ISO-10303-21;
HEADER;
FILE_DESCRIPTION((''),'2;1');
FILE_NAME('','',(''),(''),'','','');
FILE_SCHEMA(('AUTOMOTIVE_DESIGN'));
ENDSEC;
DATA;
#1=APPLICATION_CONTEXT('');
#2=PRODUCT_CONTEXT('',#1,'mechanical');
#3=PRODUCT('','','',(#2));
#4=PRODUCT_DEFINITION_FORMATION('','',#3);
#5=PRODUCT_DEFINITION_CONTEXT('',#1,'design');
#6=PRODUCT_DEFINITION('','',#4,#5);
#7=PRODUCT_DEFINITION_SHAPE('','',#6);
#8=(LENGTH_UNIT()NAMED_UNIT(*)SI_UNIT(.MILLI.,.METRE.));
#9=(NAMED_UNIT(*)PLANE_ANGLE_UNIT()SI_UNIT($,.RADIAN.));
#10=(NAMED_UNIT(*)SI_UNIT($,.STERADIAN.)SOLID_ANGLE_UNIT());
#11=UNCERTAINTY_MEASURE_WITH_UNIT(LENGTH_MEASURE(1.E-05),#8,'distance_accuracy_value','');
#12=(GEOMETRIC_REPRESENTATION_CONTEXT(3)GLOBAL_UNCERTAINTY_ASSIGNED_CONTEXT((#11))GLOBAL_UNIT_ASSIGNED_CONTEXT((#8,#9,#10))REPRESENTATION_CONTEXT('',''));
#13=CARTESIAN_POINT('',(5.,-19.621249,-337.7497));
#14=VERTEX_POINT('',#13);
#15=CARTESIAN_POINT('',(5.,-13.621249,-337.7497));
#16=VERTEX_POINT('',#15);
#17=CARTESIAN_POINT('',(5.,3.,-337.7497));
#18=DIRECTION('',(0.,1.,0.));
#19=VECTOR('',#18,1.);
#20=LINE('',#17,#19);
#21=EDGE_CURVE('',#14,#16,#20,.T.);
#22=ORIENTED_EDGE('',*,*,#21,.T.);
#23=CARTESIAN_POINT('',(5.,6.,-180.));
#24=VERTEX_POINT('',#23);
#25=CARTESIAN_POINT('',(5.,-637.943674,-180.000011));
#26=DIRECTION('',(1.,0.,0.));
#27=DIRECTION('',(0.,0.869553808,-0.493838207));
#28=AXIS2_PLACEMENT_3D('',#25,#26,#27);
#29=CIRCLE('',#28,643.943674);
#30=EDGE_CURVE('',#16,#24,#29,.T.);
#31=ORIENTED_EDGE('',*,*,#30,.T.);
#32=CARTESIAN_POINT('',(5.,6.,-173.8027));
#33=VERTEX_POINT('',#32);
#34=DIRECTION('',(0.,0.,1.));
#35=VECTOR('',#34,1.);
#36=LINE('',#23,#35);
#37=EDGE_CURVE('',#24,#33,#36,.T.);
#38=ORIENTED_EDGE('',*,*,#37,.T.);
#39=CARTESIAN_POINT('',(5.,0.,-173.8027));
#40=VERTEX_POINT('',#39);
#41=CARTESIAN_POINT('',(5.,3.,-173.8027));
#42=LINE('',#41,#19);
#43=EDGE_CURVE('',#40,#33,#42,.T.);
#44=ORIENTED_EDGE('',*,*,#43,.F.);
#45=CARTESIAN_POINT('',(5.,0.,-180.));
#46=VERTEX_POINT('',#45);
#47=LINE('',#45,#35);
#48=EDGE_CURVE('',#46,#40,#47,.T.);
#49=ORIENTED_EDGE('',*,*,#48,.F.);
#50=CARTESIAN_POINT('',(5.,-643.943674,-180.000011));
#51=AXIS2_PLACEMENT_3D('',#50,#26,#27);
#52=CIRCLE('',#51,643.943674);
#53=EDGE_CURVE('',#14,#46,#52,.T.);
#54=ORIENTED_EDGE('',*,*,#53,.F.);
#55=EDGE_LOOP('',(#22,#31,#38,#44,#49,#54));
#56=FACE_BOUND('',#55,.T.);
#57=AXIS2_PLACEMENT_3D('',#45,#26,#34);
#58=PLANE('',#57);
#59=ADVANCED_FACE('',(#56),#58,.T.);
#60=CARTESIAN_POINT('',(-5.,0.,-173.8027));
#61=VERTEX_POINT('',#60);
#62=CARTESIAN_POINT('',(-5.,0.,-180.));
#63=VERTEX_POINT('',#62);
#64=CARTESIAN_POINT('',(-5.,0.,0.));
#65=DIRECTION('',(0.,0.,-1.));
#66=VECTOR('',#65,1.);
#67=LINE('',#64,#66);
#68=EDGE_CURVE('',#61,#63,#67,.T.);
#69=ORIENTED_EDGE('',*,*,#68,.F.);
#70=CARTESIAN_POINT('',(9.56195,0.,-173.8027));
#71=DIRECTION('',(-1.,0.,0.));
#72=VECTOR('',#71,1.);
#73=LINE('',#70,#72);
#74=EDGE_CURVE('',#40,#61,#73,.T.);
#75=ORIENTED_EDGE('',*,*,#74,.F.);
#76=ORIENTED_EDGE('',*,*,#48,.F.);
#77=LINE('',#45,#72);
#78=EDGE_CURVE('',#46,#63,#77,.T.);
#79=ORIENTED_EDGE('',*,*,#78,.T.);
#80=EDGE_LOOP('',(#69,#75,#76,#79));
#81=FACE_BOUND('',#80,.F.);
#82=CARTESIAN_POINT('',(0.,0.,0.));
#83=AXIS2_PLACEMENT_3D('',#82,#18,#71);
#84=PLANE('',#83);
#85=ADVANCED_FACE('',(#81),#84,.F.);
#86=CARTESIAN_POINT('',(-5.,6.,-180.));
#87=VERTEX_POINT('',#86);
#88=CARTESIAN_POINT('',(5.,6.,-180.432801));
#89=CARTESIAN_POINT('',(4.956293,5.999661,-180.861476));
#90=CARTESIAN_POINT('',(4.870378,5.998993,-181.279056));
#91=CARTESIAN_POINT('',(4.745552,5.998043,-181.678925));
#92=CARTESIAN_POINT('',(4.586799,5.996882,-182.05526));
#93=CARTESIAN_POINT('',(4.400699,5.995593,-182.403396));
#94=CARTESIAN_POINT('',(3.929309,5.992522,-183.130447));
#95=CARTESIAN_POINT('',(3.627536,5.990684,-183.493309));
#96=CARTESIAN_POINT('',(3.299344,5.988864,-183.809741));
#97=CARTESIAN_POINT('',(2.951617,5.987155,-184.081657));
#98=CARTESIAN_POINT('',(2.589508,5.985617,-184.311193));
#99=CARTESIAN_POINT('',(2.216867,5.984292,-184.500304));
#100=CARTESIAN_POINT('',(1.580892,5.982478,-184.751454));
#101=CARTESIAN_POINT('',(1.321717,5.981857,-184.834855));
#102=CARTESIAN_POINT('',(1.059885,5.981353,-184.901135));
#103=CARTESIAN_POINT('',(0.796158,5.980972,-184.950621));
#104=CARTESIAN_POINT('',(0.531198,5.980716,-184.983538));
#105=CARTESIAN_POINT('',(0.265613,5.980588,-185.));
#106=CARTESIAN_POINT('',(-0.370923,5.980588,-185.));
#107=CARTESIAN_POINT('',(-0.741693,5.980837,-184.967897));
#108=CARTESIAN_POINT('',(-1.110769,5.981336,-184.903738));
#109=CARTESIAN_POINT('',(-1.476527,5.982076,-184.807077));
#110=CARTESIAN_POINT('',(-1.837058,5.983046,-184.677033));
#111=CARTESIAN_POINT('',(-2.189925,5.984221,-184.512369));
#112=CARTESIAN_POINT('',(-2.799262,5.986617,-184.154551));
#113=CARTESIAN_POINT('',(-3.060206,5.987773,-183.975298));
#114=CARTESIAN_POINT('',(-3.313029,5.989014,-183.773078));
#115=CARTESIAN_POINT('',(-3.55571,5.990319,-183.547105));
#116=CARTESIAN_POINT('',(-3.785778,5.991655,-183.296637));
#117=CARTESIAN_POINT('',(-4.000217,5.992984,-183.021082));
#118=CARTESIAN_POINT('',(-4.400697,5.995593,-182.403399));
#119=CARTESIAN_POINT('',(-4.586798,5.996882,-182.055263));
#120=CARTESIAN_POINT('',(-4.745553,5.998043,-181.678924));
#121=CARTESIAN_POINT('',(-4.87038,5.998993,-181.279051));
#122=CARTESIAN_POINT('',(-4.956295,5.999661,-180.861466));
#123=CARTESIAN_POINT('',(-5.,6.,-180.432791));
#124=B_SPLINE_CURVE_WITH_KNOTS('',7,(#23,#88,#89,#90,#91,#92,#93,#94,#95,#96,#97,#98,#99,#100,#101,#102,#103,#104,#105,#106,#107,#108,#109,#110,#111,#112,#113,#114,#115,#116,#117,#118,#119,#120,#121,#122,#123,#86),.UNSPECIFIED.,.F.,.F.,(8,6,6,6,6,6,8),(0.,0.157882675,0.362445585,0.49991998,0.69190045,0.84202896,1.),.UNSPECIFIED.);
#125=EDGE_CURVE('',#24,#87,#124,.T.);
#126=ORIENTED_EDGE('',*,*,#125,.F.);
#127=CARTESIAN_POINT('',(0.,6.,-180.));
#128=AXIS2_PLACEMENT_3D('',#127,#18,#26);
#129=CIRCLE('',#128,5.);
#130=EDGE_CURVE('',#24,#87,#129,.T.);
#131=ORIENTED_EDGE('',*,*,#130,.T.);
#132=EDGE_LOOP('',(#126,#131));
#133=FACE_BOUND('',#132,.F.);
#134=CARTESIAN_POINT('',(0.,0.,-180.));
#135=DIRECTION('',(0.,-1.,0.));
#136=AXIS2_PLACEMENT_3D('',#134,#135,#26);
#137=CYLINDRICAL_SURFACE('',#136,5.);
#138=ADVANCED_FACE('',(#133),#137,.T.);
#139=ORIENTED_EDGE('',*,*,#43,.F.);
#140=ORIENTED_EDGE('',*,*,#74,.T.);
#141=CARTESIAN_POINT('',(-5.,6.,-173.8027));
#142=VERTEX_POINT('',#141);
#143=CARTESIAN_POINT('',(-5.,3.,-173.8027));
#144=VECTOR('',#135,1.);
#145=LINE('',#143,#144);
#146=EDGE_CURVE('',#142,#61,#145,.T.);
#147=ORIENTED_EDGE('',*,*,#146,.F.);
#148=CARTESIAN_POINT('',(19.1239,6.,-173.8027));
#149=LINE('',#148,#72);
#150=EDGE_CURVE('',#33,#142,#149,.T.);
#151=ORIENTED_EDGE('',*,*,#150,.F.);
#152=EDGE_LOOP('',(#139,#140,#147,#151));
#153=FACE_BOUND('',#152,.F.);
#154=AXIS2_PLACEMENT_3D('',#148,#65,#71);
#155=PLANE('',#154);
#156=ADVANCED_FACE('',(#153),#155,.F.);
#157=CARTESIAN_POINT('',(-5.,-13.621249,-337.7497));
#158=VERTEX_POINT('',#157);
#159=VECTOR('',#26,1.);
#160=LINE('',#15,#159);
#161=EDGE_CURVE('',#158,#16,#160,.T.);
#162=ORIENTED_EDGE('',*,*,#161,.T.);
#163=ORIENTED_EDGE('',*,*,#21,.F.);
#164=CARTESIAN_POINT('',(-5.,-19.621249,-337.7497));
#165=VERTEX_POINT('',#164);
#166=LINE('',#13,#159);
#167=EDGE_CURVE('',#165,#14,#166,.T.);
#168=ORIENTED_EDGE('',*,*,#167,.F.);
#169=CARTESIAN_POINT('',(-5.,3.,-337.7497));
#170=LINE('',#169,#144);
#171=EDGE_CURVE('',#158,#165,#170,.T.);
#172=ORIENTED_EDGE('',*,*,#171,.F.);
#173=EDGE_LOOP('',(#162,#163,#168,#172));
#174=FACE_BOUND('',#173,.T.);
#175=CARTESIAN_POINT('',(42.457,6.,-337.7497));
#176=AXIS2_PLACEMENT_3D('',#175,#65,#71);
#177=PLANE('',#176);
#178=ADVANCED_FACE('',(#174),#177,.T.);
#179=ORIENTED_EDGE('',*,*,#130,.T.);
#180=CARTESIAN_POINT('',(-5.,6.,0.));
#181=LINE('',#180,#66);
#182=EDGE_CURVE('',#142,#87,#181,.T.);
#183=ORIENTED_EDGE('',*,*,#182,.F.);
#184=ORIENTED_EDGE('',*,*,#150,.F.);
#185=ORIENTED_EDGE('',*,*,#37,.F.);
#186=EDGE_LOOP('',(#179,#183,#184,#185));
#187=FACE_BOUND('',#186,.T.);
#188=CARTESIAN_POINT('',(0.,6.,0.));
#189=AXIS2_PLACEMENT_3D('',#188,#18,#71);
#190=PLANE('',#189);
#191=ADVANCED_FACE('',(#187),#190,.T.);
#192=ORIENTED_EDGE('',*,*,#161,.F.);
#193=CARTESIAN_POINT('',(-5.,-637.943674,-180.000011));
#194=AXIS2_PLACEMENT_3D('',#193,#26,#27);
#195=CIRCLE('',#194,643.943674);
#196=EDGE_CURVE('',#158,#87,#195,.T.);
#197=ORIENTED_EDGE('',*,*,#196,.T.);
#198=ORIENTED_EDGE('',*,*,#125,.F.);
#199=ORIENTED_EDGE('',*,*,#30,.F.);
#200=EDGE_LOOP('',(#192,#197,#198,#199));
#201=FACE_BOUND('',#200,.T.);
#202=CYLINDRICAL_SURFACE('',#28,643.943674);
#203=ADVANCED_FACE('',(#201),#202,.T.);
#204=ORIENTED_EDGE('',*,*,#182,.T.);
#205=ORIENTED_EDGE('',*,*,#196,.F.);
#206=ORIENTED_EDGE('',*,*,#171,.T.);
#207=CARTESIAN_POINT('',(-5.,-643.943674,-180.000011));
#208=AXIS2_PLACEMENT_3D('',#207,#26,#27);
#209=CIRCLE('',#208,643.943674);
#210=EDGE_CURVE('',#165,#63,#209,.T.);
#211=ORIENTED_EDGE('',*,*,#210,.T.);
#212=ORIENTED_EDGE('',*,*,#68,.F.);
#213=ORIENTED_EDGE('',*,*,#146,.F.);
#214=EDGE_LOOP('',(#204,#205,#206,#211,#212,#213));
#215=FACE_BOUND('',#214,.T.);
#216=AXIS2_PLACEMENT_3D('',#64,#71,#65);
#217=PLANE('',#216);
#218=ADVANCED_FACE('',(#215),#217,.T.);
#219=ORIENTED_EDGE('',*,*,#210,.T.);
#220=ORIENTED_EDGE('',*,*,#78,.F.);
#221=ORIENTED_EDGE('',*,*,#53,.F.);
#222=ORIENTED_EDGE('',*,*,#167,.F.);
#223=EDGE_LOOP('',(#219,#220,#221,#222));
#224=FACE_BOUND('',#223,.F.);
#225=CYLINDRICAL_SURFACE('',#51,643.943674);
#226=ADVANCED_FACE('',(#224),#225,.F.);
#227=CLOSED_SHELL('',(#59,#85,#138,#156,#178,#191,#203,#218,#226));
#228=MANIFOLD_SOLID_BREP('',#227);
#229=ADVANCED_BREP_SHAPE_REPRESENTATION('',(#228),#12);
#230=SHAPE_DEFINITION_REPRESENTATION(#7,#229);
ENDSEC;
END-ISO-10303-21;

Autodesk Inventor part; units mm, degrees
ref_plane "YZ Plane" through (0, 0, 0) normal (1, 0, 0) x (0, 1, 0)
ref_plane "XZ Plane" through (0, 0, 0) normal (0, 1, 0) x (-1, 0, 0)
ref_plane "XY Plane" through (0, 0, 0) normal (0, 0, 1) x (1, 0, 0)
sketch "Sketch1" plane through (0, 0, 0) normal (0, 1, 0) x (-1, 0, 0)
  line L0 (0, 0) -> (0, -180) construction
  line L1 (5, 0) -> (5, -180)
  line L2 (-5, -180) -> (-5, 0)
  arc A0 (5, 0) -> (-5, 0) centre (0, 0) ccw
  arc A1 (-5, -180) -> (5, -180) centre (0, -180) ccw
  circle A2 centre (0, 0) radius 1.65
  line L3 (0, -40) -> (0, -140) construction
  line L4 (1.65, -40) -> (1.65, -140)
  line L5 (-1.65, -140) -> (-1.65, -40)
  arc A3 (1.65, -40) -> (-1.65, -40) centre (0, -40) ccw
  arc A4 (-1.65, -140) -> (1.65, -140) centre (0, -140) ccw
  point P0 (0, -90)
  point P1 (0, -90)
  dimension "d0" = 180
  dimension "d1" = 10
  dimension "d2" = 3.3
  dimension "d3" = 40
  dimension "d5" = 140
  dimension "d6" = 3.3
extrude "Extrusion1" add sketch "Sketch1" along normal blind 6
sketch "Sketch2" plane through (5, 0, 0) normal (1, 0, 0) x (0, 0, -1)
  line L0 (180, 0) -> (180, 6) projected
  line L1 (0, 0) -> (180, 0) projected
  line L2 (180, 0) -> (180, 6) projected
  line L3 (0, 6) -> (180, 6) projected
  line L4 (0, 0) -> (0, 6) projected
  line L5 (180, 0) -> (180, 0) projected
  line L6 (180, 0) -> (180, 6) projected
  line L7 (180, 6) -> (180, 6) projected
  line L8 (180, 0) -> (180, 6) projected
  line L9 (180, 0) -> (0, 0) projected
  arc A0 (498.004, -84) -> (180, 0) centre (180, -643.9437) ccw
  line L10 (180, 6) -> (0, 6) projected
  arc A1 (498.004, -78) -> (180, 6) centre (180, -637.9437) ccw
  line L11 (498.004, -78) -> (498.004, -84)
  line L12 (0, 0) -> (180, 0) projected
  dimension "d9" = 6
  dimension "d10" = 498.004
  dimension "d11" = 90
extrude "Extrusion2" add sketch "Sketch2" against normal blind 10 contours L0 A1 L11 A0
fillet "Fillet1" radius 2 4 edges at (0, -78, -498.004) (5, -81, -498.004) (-5, -81, -498.004) (0, -84, -498.004)
sketch "Sketch3" plane through (0, 6, 0) normal (0, 1, 0) x (1, 0, 0)
  line L0 (-25.1236, -17.4365) -> (19.1239, -17.4365)
  line L1 (19.1239, -17.4365) -> (19.1239, 173.8027)
  line L2 (19.1239, 173.8027) -> (-25.1236, 173.8027)
  line L3 (-25.1236, 173.8027) -> (-25.1236, -17.4365)
  line L4 (-48.0471, -35.7333) -> (42.457, -35.7333)
  line L5 (42.457, -35.7333) -> (42.457, 337.7497)
  line L6 (42.457, 337.7497) -> (-48.0471, 337.7497)
  line L7 (-48.0471, 337.7497) -> (-48.0471, -35.7333)
  line L8 (-102.0639, -92.3443) -> (98.6132, -92.3443)
  line L9 (98.6132, -92.3443) -> (98.6132, 617.9416)
  line L10 (98.6132, 617.9416) -> (-102.0639, 617.9416)
  line L11 (-102.0639, 617.9416) -> (-102.0639, -92.3443)
  point P0 (0, 0)
extrude "Extrusion3" cut sketch "Sketch3" against normal blind 100
properties part number "Part_8_p2"
